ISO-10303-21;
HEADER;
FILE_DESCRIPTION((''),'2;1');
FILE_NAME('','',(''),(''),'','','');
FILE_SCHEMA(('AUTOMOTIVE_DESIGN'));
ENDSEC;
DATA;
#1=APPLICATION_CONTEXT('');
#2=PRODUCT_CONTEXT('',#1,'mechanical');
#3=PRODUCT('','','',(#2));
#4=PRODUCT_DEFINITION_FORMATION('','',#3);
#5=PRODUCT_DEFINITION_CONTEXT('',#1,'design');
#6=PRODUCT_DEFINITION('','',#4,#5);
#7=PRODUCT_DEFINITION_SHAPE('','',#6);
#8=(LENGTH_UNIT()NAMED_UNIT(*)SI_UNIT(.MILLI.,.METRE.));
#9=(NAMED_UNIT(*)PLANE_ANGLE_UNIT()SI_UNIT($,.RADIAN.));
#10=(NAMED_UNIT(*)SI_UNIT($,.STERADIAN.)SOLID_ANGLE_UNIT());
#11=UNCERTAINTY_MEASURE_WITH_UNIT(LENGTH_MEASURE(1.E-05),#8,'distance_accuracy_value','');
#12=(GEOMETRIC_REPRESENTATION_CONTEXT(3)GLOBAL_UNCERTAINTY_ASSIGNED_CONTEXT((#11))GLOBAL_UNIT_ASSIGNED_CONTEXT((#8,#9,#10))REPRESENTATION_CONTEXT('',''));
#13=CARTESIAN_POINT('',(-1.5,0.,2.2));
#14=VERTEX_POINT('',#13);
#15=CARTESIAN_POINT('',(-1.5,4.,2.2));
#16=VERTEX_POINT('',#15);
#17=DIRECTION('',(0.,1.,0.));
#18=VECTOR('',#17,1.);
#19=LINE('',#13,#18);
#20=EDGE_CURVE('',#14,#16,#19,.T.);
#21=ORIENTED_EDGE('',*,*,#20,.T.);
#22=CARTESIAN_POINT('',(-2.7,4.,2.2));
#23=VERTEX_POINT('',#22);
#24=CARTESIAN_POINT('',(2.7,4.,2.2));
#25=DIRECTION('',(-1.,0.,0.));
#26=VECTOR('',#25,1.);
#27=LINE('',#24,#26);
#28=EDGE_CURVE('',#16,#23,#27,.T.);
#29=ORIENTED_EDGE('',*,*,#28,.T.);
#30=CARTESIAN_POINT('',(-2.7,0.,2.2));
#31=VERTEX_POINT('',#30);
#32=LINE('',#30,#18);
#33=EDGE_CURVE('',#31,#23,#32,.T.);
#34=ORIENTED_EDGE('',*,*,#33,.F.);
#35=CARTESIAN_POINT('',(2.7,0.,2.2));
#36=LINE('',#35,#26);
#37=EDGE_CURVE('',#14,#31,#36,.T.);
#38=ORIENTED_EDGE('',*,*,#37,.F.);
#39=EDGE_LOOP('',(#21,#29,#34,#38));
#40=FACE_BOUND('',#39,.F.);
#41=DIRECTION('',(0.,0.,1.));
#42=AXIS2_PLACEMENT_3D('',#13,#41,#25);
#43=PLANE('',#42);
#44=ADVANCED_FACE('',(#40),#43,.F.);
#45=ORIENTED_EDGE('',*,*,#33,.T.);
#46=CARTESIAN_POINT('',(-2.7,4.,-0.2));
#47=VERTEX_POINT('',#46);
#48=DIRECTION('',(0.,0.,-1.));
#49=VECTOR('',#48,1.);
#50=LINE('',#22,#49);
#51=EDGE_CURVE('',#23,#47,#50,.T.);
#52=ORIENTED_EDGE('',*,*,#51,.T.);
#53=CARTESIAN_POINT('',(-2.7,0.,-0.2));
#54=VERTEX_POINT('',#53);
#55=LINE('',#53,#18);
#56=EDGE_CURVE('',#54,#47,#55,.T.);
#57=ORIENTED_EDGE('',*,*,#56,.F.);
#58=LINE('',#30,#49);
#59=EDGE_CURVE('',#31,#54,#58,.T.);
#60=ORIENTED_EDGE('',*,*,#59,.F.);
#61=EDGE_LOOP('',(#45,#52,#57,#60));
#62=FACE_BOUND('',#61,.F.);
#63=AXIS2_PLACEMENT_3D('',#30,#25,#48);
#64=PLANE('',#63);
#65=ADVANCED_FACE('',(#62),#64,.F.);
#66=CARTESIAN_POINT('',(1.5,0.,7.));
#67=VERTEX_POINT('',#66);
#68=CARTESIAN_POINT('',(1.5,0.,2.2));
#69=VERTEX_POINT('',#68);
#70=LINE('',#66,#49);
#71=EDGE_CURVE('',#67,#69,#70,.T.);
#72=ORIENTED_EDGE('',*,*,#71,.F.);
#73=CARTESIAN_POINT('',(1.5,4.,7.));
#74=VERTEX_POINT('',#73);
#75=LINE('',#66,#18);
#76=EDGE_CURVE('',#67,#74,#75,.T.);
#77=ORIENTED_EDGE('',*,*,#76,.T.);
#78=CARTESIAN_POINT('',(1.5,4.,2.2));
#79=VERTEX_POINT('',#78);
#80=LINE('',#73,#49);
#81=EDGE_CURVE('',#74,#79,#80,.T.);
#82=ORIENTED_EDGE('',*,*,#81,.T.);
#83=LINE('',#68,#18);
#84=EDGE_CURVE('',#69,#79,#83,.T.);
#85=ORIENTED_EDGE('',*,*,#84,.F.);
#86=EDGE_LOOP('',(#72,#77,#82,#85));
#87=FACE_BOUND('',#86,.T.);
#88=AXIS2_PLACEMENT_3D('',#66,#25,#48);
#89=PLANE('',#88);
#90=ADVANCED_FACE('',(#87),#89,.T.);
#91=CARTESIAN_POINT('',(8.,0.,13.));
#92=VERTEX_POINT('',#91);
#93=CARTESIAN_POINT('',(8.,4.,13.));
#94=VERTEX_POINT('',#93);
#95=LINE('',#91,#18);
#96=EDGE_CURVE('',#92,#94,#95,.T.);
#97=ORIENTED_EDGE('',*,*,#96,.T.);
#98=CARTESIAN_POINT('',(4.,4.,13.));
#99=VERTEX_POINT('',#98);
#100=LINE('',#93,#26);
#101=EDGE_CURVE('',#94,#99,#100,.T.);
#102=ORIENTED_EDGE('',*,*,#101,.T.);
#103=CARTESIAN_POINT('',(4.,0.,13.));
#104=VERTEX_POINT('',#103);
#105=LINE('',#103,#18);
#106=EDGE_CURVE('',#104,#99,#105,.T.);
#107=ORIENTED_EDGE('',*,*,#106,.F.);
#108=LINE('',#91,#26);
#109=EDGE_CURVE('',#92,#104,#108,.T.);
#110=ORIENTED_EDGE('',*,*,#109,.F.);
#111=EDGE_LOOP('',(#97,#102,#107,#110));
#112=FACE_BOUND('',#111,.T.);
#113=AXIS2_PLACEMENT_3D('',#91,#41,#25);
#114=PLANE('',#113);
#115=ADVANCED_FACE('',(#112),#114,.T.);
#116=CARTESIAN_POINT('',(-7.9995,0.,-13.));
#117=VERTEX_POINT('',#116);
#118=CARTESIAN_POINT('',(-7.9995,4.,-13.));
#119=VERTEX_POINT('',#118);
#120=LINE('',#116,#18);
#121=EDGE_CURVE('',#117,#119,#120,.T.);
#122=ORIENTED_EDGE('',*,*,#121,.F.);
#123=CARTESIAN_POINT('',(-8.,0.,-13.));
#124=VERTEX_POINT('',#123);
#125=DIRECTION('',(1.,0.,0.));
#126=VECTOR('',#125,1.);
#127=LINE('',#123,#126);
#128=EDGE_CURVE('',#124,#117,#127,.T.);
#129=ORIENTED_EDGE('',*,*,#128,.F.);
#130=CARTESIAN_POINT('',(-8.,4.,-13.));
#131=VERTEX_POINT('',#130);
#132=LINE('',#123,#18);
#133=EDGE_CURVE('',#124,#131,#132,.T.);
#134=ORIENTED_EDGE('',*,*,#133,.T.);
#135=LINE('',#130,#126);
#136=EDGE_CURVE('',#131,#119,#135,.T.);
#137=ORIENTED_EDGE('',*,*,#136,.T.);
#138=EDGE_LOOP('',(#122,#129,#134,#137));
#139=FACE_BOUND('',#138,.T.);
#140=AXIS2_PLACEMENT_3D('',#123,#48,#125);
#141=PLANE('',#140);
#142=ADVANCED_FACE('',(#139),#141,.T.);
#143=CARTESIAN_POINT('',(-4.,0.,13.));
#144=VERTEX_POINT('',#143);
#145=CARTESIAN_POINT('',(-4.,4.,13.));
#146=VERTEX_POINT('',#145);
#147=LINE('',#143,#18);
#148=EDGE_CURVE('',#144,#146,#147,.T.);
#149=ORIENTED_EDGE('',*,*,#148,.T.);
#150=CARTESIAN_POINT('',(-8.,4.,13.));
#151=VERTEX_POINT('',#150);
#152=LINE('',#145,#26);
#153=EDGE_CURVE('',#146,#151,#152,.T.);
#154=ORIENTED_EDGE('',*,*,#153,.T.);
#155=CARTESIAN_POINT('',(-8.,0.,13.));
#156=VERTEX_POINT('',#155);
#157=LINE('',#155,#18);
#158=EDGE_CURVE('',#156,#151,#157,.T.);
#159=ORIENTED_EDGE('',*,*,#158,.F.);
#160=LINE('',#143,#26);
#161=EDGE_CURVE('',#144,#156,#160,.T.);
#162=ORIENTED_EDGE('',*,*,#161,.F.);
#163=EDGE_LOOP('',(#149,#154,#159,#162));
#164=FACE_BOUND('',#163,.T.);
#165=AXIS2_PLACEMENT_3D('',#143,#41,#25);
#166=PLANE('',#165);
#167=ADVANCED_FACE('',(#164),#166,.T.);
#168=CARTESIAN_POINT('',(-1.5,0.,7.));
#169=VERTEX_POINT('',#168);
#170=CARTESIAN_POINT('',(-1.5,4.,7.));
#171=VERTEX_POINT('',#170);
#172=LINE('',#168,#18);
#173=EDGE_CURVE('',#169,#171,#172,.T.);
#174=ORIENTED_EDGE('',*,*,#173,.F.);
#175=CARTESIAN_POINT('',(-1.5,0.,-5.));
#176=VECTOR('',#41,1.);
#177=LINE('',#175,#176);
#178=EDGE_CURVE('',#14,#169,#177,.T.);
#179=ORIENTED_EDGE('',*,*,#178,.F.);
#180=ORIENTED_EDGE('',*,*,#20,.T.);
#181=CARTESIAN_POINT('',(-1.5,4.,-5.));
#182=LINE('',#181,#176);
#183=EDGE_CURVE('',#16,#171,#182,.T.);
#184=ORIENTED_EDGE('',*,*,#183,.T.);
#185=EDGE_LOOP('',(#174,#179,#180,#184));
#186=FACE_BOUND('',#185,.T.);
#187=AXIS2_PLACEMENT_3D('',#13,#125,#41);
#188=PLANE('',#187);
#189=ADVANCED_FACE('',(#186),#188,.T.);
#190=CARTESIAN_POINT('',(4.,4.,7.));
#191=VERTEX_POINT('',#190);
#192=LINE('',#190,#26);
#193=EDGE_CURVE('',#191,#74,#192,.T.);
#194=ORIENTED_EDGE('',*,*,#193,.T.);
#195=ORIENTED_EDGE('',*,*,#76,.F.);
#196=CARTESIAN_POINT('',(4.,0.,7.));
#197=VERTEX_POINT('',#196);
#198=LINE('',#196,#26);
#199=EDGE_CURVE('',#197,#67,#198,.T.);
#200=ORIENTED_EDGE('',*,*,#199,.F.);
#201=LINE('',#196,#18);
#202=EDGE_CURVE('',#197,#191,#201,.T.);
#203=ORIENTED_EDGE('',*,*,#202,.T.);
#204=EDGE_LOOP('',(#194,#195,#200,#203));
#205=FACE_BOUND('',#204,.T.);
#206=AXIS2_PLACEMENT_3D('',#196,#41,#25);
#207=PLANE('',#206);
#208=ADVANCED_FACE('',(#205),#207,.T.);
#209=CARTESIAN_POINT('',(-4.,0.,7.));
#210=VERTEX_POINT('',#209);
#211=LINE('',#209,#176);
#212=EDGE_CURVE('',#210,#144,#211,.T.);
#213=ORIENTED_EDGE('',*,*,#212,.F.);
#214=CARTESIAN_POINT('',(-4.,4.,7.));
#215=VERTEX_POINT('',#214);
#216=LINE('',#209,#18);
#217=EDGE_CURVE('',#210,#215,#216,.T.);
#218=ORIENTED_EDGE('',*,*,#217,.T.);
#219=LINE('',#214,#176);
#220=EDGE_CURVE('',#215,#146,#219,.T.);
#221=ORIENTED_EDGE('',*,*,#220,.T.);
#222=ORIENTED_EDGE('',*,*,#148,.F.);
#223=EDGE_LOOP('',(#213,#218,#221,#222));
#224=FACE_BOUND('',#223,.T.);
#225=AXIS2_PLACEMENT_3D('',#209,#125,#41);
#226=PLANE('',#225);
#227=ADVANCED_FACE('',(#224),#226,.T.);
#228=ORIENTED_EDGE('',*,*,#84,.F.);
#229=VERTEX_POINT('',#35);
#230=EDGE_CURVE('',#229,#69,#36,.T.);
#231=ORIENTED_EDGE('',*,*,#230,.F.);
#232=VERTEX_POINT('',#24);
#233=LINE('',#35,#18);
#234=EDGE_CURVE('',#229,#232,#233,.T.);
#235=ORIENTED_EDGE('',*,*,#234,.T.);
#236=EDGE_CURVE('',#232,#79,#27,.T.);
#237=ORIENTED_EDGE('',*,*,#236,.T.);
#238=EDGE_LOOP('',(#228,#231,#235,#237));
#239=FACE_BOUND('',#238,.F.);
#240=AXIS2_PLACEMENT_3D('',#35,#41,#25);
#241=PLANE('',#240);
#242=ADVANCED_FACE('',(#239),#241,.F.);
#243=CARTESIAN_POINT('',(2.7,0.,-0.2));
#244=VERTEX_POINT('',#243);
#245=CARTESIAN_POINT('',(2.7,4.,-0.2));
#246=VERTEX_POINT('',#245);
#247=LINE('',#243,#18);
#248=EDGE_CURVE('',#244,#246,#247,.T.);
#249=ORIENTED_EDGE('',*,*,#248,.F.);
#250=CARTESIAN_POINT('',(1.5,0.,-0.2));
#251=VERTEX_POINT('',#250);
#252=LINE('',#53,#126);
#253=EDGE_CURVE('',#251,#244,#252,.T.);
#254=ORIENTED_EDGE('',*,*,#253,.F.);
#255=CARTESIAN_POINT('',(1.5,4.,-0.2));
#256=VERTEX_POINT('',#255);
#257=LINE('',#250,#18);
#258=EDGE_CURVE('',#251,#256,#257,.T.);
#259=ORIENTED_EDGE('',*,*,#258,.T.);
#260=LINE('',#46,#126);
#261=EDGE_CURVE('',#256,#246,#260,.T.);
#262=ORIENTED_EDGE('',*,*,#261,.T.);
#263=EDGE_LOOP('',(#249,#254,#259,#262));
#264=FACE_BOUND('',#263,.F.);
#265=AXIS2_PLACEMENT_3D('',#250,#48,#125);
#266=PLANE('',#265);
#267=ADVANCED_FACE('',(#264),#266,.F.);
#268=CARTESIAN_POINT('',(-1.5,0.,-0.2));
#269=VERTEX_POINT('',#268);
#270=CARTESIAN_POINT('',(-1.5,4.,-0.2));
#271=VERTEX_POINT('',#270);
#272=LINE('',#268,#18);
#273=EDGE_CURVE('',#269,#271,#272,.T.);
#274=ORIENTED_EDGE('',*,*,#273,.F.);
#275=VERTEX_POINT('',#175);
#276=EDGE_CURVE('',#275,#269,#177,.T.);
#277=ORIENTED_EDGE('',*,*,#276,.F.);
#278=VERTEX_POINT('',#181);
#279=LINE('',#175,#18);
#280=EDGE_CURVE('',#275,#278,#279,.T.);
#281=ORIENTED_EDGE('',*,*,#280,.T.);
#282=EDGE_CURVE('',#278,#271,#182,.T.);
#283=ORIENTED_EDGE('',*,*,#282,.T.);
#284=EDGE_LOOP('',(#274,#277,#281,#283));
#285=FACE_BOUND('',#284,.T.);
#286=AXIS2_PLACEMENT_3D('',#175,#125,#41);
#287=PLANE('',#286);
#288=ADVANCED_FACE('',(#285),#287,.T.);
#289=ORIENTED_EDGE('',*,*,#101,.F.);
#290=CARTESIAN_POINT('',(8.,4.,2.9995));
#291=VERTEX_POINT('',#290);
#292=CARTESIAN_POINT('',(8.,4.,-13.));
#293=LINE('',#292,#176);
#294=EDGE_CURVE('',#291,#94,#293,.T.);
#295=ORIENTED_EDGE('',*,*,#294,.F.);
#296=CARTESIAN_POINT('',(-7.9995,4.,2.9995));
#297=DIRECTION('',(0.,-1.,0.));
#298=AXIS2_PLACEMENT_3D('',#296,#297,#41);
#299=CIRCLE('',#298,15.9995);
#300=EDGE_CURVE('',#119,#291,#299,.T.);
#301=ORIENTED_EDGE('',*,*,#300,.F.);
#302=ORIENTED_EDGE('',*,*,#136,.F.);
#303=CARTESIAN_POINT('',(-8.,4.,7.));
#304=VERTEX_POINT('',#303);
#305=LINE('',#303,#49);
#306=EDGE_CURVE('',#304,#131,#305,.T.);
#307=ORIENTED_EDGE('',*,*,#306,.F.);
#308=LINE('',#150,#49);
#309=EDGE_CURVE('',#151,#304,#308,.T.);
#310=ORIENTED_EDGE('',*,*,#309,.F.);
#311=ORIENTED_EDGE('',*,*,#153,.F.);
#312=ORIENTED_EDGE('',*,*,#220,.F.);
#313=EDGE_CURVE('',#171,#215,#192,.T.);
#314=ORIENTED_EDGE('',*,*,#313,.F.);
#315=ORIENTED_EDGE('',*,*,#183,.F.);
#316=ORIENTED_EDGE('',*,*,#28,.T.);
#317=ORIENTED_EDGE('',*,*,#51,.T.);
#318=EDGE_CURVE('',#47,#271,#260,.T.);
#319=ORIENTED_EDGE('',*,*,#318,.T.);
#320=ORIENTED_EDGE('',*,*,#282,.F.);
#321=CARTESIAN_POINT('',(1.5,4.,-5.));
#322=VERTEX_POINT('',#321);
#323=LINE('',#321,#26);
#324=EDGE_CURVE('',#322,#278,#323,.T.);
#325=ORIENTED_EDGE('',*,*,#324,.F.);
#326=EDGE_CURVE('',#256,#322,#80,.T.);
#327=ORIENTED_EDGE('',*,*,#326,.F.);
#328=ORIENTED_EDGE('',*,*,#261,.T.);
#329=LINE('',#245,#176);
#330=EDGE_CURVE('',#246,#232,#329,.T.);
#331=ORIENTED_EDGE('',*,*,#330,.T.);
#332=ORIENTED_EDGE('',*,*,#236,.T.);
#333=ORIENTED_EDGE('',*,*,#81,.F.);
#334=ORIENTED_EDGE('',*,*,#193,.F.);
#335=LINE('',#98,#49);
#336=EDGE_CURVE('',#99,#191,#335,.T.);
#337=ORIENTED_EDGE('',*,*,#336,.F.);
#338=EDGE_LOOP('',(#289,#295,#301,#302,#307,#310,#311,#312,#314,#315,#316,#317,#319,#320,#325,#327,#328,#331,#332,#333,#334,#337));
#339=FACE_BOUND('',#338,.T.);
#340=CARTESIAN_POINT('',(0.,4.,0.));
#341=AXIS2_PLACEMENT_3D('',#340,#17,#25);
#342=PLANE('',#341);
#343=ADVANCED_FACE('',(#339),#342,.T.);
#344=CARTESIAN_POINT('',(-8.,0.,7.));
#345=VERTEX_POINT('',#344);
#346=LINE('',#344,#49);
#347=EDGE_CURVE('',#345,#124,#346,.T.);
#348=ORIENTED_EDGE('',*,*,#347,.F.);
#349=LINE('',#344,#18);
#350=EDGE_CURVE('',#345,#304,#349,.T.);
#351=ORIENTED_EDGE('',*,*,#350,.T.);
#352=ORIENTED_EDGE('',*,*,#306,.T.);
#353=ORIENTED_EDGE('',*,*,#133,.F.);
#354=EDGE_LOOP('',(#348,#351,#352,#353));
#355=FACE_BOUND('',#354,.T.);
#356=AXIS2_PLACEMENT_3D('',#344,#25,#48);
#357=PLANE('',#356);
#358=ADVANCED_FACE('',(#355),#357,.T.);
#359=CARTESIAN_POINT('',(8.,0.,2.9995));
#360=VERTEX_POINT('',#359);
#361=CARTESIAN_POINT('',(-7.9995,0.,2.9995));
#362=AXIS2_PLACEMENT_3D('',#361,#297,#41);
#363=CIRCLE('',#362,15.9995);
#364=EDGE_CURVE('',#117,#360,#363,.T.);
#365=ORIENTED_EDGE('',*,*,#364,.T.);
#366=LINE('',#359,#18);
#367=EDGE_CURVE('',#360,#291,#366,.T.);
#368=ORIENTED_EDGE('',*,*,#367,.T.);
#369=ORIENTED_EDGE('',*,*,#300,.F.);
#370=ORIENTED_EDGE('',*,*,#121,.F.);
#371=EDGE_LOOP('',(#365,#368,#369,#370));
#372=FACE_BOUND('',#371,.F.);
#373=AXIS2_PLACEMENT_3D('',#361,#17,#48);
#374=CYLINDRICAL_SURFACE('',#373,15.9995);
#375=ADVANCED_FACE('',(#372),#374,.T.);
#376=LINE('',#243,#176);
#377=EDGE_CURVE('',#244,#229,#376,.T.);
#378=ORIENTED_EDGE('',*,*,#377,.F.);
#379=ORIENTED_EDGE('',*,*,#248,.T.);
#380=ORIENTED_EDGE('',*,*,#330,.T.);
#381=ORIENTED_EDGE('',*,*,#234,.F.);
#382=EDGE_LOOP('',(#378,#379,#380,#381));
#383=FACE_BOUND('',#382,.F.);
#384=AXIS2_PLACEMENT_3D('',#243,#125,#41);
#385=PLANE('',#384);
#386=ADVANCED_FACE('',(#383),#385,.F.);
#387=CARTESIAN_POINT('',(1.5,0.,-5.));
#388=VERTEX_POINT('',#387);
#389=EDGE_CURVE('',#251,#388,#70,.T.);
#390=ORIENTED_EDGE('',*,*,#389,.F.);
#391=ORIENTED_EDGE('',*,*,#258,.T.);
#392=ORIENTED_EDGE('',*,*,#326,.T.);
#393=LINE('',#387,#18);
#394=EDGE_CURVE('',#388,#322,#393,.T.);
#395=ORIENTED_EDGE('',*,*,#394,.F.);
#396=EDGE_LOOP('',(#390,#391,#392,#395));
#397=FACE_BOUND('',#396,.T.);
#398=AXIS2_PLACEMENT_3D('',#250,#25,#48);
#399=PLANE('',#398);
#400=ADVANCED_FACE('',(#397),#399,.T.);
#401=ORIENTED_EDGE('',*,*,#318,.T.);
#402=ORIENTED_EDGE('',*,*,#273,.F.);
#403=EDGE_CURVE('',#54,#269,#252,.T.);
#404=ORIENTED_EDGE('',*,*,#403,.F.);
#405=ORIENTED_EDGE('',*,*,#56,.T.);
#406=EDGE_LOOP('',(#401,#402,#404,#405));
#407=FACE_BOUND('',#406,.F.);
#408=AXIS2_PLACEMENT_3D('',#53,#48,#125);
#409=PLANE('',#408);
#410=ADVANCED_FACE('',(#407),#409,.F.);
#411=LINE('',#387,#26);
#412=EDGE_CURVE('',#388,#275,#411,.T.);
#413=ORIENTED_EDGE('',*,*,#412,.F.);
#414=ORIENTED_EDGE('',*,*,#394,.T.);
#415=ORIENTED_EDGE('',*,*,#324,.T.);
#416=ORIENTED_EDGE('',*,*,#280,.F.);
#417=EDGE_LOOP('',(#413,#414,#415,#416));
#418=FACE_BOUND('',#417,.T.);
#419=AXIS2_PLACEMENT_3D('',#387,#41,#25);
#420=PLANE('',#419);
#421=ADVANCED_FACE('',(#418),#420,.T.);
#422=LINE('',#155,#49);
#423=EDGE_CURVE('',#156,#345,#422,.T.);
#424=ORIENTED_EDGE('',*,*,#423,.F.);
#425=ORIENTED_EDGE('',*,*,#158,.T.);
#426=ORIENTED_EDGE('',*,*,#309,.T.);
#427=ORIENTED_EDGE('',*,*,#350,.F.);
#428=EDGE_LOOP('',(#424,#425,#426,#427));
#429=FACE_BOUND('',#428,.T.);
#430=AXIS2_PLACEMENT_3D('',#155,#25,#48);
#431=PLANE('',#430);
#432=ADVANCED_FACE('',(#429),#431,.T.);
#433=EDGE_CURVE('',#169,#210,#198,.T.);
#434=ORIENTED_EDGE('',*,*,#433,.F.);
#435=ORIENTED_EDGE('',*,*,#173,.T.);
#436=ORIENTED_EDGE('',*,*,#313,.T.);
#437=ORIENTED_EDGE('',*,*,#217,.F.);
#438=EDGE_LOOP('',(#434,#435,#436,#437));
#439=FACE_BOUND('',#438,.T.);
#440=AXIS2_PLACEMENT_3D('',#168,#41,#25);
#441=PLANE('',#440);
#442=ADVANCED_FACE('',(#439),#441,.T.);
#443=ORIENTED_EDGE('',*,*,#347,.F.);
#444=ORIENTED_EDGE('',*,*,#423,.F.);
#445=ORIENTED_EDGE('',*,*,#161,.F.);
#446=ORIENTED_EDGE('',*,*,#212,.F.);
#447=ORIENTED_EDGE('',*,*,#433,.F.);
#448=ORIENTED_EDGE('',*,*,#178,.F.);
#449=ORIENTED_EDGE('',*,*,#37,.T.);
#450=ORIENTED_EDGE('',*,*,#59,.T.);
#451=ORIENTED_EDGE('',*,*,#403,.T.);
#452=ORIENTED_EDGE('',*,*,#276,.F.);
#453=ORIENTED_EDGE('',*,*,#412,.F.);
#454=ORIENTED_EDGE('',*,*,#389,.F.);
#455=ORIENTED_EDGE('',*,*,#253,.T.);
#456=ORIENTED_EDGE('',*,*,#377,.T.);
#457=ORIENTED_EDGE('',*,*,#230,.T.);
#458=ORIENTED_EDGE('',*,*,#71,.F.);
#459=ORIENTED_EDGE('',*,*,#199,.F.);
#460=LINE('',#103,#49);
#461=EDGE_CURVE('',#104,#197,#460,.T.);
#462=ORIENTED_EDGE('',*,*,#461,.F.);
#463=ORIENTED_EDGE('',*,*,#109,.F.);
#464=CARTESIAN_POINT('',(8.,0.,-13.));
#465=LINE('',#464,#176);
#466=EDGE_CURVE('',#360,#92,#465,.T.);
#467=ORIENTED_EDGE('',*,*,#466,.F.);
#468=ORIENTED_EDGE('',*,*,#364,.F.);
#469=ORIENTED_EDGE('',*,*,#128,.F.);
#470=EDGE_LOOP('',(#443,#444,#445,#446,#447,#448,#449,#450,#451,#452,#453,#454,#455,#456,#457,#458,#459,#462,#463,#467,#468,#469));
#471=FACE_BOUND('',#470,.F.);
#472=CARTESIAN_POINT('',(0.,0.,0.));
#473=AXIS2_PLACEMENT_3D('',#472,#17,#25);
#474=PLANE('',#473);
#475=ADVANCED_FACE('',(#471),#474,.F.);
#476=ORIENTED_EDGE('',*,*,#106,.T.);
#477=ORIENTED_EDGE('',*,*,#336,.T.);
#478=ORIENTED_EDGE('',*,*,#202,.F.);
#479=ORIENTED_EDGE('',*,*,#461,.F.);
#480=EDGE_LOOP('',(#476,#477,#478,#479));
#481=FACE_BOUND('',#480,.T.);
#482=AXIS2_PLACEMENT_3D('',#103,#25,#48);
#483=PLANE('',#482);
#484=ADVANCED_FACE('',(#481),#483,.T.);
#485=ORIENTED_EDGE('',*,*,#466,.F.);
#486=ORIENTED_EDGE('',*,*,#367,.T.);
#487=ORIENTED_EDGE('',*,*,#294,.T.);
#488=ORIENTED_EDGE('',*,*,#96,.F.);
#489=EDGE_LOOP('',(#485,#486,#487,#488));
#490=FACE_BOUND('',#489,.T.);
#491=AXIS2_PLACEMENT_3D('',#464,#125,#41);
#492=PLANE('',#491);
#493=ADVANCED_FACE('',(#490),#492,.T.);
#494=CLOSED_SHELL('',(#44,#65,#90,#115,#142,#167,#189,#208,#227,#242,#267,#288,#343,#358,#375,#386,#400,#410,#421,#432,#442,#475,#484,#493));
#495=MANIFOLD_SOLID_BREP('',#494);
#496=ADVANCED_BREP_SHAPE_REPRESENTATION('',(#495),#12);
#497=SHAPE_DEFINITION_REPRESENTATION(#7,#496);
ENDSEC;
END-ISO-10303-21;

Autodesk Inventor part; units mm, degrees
ref_plane "YZ Plane" through (0, 0, 0) normal (1, 0, 0) x (0, 1, 0)
ref_plane "XZ Plane" through (0, 0, 0) normal (0, 1, 0) x (-1, 0, 0)
ref_plane "XY Plane" through (0, 0, 0) normal (0, 0, 1) x (1, 0, 0)
sketch "Sketch1" plane through (0, 0, 0) normal (0, 1, 0) x (-1, 0, 0)
  line L0 (8, 13) -> (8, 7)
  line L1 (8, 7) -> (8, 7)
  line L2 (8, 7) -> (8, -13)
  line L3 (8, -13) -> (-8, -13)
  line L4 (-8, -13) -> (-8, 13)
  line L5 (-8, 13) -> (-4, 13)
  line L6 (-4, 13) -> (-4, 7)
  line L7 (-4, 7) -> (4, 7)
  line L8 (4, 7) -> (4, 13)
  line L9 (4, 13) -> (8, 13)
  line L10 (8, -13) -> (-8, 13) construction
  line L11 (1.5, 7) -> (-1.5, 7)
  line L12 (-1.5, 7) -> (-1.5, -5)
  line L13 (-1.5, -5) -> (1.5, -5)
  line L14 (1.5, -5) -> (1.5, 7)
  line L15 (2.7, -0.2) -> (-2.7, -0.2)
  line L16 (-2.7, -0.2) -> (-2.7, 2.2)
  line L17 (-2.7, 2.2) -> (2.7, 2.2)
  line L18 (2.7, 2.2) -> (2.7, -0.2)
  point P0 (0, 0)
  point P1 (0, 0)
  point P2 (0, 2.2)
  point P3 (0, -5)
  point P4 (-2.7, 1)
  point P5 (-1.5, 1)
  point P6 (0, 7)
  point P7 (1.5, 2.2)
  point P8 (1.5, -0.2)
  point P9 (-1.5, -0.2)
  point P10 (-1.5, 2.2)
  dimension "d0" = 6
  dimension "d1" = 4
  dimension "d3" = 0
  dimension "d4" = 4
  dimension "d5" = 20
  dimension "d10" = 8
  dimension "d11" = 3
  dimension "d12" = 12
  dimension "d13" = 5.4
  dimension "d14" = 2.4
extrude "Extrusion1" add sketch "Sketch1" along normal blind 4 contours L0 L2 L3 L4 L5 L6 L7 L12 L17 L16 L15 L13 L14 L18 L8 L9
fillet "Fillet1" radius 16 1 edges at (8, 2, -13)
properties part number "Lever" material "MDF Medium Density Fiberboard"
